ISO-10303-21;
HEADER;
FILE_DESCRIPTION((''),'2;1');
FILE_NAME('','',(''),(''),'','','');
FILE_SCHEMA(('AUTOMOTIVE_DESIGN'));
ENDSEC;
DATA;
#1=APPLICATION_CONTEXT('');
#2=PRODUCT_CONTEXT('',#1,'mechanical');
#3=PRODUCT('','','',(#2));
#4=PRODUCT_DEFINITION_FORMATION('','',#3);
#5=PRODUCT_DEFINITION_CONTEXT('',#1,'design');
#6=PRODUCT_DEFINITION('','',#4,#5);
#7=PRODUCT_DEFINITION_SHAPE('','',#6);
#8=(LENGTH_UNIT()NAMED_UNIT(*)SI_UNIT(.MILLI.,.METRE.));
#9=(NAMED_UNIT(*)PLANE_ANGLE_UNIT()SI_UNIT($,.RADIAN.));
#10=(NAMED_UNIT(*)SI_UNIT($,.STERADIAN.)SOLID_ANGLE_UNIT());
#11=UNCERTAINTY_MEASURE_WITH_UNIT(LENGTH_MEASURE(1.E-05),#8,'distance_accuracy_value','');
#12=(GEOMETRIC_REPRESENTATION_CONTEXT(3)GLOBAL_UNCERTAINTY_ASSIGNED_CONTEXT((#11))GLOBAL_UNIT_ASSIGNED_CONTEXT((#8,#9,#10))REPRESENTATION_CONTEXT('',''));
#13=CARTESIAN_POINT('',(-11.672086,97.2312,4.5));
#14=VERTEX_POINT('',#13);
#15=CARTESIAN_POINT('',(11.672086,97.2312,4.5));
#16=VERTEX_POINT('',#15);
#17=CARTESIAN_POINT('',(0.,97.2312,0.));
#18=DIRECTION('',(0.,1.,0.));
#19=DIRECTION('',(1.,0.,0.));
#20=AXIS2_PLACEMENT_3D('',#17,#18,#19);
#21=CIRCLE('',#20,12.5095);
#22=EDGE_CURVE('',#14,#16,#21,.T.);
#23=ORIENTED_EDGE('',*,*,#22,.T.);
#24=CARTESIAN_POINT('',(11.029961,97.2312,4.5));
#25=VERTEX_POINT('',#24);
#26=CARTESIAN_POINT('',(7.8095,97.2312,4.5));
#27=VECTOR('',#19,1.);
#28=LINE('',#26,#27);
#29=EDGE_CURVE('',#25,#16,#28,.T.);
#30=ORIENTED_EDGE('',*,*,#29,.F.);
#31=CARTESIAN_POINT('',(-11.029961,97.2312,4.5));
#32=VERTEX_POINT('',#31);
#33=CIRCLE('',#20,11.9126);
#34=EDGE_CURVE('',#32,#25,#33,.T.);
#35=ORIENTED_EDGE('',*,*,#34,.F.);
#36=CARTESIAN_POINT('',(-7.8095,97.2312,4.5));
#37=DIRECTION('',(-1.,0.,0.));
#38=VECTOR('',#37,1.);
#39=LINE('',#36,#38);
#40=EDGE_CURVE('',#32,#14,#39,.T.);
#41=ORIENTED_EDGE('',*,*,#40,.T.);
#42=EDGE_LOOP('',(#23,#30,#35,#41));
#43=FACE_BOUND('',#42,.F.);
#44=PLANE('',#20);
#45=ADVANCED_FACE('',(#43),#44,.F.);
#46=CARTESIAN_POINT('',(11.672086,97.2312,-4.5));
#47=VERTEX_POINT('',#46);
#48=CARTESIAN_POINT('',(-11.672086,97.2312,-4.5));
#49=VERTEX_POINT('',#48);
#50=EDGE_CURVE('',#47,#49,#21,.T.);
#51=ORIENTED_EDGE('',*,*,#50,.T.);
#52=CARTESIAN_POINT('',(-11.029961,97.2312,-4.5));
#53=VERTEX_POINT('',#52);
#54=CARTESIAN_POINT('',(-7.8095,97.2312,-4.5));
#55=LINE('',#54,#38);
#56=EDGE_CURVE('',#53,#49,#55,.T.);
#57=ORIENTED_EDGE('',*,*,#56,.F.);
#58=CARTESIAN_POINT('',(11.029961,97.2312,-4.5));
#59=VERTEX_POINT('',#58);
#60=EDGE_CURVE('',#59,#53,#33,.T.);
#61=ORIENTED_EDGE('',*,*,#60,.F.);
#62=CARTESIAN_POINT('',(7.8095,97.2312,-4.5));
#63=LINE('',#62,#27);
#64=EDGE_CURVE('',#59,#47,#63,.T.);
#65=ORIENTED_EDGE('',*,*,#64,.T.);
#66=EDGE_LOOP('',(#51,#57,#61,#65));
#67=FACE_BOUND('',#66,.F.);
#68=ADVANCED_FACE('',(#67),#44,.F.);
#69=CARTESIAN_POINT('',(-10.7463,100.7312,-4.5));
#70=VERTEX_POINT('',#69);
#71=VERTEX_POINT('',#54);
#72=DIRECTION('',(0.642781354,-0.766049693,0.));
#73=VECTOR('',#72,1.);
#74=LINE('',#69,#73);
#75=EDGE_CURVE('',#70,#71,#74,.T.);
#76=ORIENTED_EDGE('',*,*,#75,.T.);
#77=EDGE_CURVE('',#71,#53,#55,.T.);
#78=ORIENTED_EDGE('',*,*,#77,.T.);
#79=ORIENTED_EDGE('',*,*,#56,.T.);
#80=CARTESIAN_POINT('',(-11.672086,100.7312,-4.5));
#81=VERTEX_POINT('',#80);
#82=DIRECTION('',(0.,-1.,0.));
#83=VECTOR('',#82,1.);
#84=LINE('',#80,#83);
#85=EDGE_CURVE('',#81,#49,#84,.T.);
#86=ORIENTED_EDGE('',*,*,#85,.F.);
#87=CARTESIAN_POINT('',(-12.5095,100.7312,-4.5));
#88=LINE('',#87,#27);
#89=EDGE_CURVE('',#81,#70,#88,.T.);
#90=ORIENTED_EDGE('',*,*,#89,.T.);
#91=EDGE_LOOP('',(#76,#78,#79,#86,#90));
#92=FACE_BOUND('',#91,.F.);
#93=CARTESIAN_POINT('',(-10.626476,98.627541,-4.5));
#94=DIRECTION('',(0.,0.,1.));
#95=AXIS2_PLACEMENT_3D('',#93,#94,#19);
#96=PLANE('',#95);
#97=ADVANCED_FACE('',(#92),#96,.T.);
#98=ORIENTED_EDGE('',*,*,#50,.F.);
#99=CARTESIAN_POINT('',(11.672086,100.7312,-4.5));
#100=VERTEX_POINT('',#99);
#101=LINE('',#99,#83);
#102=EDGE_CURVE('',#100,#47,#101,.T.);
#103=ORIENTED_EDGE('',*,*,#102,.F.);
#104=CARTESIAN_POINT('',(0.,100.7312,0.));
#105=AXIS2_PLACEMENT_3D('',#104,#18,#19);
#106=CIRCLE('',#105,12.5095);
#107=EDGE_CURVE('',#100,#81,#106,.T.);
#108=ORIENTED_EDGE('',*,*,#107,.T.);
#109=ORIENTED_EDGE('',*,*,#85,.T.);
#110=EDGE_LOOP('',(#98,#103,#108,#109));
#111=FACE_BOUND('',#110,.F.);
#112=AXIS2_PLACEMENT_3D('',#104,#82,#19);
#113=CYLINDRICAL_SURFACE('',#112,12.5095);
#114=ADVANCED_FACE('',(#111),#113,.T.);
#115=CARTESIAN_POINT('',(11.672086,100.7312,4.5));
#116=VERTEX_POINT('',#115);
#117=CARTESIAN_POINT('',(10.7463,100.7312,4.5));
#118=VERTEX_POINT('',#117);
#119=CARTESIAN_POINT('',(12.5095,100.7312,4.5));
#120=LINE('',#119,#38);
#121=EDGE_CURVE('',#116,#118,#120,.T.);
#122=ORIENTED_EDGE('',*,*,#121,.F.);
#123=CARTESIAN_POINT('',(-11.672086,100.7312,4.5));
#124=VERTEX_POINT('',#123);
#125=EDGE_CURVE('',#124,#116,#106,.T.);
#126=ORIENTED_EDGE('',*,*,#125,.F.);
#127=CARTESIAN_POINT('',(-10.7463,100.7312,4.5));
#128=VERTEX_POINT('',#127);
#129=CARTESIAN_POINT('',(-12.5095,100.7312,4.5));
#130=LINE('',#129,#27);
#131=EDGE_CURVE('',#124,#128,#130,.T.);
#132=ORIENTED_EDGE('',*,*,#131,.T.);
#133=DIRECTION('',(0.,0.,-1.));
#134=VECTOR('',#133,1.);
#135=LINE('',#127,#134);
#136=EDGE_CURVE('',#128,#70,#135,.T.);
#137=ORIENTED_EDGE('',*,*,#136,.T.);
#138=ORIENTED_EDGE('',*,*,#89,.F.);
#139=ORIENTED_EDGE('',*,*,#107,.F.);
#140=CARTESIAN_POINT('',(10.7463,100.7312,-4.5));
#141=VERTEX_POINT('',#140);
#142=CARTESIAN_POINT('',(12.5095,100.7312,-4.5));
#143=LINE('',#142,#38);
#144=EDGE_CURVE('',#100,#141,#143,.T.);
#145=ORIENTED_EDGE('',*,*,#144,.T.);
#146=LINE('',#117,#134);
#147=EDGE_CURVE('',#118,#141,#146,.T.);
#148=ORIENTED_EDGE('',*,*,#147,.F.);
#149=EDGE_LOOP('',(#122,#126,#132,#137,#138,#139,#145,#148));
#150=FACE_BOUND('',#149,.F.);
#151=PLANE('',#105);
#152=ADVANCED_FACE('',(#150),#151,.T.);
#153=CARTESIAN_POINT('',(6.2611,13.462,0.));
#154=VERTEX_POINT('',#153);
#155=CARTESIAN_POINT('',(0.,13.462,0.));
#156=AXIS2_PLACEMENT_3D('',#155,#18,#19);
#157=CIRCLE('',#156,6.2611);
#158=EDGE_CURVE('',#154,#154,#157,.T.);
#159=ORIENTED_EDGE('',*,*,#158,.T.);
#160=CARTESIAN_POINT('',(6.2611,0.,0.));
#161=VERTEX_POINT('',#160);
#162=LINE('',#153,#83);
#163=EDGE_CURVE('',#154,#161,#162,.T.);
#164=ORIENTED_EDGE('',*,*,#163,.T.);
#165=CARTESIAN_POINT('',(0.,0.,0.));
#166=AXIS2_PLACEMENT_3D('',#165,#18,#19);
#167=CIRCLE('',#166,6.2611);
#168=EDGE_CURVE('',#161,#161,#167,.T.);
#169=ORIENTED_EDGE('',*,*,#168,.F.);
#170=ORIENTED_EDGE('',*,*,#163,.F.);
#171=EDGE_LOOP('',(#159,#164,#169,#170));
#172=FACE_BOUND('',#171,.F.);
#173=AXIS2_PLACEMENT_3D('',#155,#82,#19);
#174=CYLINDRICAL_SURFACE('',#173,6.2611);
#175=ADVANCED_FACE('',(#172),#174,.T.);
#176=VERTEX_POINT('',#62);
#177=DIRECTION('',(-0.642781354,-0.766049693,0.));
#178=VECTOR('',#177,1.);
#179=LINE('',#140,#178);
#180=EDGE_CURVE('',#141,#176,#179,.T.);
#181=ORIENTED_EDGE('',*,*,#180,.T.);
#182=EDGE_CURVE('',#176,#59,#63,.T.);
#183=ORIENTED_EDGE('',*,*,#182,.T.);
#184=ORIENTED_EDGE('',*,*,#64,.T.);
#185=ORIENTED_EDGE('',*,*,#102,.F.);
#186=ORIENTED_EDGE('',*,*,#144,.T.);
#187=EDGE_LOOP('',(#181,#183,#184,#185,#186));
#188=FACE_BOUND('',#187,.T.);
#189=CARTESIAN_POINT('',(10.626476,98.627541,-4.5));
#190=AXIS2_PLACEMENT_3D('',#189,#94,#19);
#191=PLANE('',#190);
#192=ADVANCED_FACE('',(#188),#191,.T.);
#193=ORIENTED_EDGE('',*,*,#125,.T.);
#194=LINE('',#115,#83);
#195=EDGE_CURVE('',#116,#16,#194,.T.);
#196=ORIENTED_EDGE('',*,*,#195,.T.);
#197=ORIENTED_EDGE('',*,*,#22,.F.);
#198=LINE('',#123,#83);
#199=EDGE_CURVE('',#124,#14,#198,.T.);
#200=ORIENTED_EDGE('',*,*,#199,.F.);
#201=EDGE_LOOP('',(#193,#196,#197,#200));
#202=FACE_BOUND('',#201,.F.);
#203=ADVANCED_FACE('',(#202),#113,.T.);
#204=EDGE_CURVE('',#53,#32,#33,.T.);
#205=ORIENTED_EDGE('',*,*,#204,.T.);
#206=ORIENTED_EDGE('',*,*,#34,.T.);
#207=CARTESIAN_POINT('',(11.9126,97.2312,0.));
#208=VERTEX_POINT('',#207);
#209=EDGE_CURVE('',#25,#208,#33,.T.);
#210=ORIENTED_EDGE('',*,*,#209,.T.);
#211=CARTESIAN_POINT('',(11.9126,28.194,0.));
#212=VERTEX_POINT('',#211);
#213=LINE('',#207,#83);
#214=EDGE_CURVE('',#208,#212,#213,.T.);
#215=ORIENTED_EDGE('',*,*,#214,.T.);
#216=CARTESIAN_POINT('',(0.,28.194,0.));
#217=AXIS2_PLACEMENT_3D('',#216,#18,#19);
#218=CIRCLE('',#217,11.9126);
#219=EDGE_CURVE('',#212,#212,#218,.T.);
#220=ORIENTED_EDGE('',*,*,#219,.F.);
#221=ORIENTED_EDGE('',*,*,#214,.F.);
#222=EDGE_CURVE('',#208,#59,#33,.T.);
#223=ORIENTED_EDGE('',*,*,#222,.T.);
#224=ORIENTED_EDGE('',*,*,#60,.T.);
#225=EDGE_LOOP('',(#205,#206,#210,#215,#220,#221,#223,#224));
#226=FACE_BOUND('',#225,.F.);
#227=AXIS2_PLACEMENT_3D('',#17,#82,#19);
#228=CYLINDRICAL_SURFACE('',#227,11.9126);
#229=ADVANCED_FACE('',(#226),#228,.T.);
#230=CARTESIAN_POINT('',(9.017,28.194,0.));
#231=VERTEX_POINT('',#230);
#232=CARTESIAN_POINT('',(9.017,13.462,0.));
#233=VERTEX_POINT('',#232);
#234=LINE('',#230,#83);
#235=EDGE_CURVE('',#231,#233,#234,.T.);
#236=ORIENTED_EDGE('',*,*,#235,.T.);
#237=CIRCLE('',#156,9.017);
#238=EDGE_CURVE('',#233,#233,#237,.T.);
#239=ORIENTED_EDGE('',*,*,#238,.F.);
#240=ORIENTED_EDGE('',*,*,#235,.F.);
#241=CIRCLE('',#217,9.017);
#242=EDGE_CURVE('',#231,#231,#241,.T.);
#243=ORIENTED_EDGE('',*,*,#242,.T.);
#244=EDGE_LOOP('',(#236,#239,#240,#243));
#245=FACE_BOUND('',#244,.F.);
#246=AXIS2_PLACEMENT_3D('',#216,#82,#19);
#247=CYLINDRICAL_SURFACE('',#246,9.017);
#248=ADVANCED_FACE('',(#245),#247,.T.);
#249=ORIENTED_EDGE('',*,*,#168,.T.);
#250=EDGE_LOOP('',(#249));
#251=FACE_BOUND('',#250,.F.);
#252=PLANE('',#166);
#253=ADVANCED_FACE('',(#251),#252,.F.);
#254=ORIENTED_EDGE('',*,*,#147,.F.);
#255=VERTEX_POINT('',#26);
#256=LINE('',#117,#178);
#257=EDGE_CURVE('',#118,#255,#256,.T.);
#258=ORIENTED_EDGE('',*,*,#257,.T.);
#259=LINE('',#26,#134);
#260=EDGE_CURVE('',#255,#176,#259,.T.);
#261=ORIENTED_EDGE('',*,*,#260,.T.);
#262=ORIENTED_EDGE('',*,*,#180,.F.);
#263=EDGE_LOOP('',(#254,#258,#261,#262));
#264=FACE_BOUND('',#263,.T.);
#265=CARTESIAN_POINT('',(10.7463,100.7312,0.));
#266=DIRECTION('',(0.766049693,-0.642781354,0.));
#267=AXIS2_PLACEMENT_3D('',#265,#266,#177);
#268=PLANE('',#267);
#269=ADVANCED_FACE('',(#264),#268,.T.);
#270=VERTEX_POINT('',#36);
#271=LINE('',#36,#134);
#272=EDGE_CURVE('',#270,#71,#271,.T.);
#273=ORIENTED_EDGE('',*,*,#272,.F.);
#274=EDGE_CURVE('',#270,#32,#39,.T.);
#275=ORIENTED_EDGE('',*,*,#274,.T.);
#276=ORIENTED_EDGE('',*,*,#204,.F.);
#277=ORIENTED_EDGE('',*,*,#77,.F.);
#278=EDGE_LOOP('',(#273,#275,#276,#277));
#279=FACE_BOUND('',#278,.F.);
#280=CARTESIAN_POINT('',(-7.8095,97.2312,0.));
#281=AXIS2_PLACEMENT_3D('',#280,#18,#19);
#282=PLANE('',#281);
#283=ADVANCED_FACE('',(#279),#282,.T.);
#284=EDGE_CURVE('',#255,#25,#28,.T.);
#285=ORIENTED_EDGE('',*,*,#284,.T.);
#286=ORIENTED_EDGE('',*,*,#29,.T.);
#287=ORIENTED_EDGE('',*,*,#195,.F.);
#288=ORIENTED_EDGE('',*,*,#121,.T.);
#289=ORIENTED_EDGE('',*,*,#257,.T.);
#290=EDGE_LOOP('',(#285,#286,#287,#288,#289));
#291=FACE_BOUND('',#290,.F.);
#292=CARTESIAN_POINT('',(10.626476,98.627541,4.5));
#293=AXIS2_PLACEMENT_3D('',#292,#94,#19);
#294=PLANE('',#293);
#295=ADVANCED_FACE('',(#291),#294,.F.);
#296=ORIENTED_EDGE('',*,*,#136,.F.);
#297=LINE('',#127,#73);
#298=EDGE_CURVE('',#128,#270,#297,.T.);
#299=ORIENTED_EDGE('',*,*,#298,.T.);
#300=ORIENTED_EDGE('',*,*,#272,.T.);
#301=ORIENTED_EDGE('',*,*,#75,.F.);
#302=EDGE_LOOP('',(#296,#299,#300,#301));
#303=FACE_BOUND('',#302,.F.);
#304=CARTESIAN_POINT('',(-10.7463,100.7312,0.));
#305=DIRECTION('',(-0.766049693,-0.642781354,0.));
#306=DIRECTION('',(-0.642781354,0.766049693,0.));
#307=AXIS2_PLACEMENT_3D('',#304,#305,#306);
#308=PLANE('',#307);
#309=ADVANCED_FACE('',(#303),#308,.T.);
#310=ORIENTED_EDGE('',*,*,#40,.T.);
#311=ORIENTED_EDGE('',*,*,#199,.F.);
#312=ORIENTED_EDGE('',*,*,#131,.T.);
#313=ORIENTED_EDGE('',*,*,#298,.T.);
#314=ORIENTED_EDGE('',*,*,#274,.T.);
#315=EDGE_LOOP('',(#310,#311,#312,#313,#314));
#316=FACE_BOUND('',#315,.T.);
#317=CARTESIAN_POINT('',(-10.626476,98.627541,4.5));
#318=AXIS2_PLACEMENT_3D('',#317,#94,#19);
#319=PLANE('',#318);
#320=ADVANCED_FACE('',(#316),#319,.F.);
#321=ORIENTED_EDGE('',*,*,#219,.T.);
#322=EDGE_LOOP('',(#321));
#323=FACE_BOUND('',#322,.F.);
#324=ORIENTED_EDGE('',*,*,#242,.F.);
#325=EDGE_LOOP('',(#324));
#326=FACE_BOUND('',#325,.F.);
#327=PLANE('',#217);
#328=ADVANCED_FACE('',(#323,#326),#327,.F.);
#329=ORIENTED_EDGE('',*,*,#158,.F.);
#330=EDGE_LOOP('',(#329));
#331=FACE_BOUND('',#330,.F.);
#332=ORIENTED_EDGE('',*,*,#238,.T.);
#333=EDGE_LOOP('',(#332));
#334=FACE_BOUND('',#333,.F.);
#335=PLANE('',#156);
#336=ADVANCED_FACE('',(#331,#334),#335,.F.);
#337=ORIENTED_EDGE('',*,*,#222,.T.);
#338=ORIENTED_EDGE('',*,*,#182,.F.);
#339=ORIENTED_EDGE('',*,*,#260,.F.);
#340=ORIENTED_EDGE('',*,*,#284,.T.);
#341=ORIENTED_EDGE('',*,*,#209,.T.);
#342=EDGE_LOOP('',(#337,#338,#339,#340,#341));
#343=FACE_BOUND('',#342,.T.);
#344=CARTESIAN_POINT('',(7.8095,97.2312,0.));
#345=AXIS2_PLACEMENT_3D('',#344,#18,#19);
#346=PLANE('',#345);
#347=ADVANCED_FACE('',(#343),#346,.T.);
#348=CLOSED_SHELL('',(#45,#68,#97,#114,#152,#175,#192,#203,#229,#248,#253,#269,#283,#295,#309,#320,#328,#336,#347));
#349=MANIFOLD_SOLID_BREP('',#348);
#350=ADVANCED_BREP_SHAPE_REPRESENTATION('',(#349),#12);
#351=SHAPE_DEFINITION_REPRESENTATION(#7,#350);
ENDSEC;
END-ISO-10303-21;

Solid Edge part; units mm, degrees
sketch "Sketch1" plane through (0, 0, 0) normal (0, 0, 1) x (1, 0, 0)
  line L0 (11.9126, 97.2312) -> (11.9126, 28.194)
  line L1 (11.9126, 28.194) -> (9.017, 28.194)
  line L2 (9.017, 28.194) -> (9.017, 13.462)
  line L3 (9.017, 13.462) -> (6.2611, 13.462)
  line L4 (6.2611, 13.462) -> (6.2611, 0)
  line L5 (6.2611, 0) -> (0, 0)
  line L6 (0, 0) -> (0, 100.7312)
  line L7 (0, 100.7312) -> (12.5095, 100.7312)
  line L8 (12.5095, 100.7312) -> (12.5095, 97.2312)
  line L9 (12.5095, 97.2312) -> (11.9126, 97.2312)
revolve "RevolvedProtrusion1" add sketch "Sketch1" angle 360 about axis through (0, 0, 0) along (0, 1, 0)
sketch "Sketch2" plane through (0, 0, 0) normal (0, 0, 1) x (1, 0, 0)
  line L0 (7.8095, 97.2312) -> (12.5095, 97.2312)
  line L1 (12.5095, 97.2312) -> (12.5095, 100.7312)
  line L2 (12.5095, 100.7312) -> (10.7463, 100.7312)
  line L3 (10.7463, 100.7312) -> (7.8095, 97.2312)
extrude "Cutout1" cut sketch "Sketch2" along normal mid plane 9
mirror "Mirror1" about plane through (0, 0, 0) normal (1, 0, 0) of "Cutout1"
